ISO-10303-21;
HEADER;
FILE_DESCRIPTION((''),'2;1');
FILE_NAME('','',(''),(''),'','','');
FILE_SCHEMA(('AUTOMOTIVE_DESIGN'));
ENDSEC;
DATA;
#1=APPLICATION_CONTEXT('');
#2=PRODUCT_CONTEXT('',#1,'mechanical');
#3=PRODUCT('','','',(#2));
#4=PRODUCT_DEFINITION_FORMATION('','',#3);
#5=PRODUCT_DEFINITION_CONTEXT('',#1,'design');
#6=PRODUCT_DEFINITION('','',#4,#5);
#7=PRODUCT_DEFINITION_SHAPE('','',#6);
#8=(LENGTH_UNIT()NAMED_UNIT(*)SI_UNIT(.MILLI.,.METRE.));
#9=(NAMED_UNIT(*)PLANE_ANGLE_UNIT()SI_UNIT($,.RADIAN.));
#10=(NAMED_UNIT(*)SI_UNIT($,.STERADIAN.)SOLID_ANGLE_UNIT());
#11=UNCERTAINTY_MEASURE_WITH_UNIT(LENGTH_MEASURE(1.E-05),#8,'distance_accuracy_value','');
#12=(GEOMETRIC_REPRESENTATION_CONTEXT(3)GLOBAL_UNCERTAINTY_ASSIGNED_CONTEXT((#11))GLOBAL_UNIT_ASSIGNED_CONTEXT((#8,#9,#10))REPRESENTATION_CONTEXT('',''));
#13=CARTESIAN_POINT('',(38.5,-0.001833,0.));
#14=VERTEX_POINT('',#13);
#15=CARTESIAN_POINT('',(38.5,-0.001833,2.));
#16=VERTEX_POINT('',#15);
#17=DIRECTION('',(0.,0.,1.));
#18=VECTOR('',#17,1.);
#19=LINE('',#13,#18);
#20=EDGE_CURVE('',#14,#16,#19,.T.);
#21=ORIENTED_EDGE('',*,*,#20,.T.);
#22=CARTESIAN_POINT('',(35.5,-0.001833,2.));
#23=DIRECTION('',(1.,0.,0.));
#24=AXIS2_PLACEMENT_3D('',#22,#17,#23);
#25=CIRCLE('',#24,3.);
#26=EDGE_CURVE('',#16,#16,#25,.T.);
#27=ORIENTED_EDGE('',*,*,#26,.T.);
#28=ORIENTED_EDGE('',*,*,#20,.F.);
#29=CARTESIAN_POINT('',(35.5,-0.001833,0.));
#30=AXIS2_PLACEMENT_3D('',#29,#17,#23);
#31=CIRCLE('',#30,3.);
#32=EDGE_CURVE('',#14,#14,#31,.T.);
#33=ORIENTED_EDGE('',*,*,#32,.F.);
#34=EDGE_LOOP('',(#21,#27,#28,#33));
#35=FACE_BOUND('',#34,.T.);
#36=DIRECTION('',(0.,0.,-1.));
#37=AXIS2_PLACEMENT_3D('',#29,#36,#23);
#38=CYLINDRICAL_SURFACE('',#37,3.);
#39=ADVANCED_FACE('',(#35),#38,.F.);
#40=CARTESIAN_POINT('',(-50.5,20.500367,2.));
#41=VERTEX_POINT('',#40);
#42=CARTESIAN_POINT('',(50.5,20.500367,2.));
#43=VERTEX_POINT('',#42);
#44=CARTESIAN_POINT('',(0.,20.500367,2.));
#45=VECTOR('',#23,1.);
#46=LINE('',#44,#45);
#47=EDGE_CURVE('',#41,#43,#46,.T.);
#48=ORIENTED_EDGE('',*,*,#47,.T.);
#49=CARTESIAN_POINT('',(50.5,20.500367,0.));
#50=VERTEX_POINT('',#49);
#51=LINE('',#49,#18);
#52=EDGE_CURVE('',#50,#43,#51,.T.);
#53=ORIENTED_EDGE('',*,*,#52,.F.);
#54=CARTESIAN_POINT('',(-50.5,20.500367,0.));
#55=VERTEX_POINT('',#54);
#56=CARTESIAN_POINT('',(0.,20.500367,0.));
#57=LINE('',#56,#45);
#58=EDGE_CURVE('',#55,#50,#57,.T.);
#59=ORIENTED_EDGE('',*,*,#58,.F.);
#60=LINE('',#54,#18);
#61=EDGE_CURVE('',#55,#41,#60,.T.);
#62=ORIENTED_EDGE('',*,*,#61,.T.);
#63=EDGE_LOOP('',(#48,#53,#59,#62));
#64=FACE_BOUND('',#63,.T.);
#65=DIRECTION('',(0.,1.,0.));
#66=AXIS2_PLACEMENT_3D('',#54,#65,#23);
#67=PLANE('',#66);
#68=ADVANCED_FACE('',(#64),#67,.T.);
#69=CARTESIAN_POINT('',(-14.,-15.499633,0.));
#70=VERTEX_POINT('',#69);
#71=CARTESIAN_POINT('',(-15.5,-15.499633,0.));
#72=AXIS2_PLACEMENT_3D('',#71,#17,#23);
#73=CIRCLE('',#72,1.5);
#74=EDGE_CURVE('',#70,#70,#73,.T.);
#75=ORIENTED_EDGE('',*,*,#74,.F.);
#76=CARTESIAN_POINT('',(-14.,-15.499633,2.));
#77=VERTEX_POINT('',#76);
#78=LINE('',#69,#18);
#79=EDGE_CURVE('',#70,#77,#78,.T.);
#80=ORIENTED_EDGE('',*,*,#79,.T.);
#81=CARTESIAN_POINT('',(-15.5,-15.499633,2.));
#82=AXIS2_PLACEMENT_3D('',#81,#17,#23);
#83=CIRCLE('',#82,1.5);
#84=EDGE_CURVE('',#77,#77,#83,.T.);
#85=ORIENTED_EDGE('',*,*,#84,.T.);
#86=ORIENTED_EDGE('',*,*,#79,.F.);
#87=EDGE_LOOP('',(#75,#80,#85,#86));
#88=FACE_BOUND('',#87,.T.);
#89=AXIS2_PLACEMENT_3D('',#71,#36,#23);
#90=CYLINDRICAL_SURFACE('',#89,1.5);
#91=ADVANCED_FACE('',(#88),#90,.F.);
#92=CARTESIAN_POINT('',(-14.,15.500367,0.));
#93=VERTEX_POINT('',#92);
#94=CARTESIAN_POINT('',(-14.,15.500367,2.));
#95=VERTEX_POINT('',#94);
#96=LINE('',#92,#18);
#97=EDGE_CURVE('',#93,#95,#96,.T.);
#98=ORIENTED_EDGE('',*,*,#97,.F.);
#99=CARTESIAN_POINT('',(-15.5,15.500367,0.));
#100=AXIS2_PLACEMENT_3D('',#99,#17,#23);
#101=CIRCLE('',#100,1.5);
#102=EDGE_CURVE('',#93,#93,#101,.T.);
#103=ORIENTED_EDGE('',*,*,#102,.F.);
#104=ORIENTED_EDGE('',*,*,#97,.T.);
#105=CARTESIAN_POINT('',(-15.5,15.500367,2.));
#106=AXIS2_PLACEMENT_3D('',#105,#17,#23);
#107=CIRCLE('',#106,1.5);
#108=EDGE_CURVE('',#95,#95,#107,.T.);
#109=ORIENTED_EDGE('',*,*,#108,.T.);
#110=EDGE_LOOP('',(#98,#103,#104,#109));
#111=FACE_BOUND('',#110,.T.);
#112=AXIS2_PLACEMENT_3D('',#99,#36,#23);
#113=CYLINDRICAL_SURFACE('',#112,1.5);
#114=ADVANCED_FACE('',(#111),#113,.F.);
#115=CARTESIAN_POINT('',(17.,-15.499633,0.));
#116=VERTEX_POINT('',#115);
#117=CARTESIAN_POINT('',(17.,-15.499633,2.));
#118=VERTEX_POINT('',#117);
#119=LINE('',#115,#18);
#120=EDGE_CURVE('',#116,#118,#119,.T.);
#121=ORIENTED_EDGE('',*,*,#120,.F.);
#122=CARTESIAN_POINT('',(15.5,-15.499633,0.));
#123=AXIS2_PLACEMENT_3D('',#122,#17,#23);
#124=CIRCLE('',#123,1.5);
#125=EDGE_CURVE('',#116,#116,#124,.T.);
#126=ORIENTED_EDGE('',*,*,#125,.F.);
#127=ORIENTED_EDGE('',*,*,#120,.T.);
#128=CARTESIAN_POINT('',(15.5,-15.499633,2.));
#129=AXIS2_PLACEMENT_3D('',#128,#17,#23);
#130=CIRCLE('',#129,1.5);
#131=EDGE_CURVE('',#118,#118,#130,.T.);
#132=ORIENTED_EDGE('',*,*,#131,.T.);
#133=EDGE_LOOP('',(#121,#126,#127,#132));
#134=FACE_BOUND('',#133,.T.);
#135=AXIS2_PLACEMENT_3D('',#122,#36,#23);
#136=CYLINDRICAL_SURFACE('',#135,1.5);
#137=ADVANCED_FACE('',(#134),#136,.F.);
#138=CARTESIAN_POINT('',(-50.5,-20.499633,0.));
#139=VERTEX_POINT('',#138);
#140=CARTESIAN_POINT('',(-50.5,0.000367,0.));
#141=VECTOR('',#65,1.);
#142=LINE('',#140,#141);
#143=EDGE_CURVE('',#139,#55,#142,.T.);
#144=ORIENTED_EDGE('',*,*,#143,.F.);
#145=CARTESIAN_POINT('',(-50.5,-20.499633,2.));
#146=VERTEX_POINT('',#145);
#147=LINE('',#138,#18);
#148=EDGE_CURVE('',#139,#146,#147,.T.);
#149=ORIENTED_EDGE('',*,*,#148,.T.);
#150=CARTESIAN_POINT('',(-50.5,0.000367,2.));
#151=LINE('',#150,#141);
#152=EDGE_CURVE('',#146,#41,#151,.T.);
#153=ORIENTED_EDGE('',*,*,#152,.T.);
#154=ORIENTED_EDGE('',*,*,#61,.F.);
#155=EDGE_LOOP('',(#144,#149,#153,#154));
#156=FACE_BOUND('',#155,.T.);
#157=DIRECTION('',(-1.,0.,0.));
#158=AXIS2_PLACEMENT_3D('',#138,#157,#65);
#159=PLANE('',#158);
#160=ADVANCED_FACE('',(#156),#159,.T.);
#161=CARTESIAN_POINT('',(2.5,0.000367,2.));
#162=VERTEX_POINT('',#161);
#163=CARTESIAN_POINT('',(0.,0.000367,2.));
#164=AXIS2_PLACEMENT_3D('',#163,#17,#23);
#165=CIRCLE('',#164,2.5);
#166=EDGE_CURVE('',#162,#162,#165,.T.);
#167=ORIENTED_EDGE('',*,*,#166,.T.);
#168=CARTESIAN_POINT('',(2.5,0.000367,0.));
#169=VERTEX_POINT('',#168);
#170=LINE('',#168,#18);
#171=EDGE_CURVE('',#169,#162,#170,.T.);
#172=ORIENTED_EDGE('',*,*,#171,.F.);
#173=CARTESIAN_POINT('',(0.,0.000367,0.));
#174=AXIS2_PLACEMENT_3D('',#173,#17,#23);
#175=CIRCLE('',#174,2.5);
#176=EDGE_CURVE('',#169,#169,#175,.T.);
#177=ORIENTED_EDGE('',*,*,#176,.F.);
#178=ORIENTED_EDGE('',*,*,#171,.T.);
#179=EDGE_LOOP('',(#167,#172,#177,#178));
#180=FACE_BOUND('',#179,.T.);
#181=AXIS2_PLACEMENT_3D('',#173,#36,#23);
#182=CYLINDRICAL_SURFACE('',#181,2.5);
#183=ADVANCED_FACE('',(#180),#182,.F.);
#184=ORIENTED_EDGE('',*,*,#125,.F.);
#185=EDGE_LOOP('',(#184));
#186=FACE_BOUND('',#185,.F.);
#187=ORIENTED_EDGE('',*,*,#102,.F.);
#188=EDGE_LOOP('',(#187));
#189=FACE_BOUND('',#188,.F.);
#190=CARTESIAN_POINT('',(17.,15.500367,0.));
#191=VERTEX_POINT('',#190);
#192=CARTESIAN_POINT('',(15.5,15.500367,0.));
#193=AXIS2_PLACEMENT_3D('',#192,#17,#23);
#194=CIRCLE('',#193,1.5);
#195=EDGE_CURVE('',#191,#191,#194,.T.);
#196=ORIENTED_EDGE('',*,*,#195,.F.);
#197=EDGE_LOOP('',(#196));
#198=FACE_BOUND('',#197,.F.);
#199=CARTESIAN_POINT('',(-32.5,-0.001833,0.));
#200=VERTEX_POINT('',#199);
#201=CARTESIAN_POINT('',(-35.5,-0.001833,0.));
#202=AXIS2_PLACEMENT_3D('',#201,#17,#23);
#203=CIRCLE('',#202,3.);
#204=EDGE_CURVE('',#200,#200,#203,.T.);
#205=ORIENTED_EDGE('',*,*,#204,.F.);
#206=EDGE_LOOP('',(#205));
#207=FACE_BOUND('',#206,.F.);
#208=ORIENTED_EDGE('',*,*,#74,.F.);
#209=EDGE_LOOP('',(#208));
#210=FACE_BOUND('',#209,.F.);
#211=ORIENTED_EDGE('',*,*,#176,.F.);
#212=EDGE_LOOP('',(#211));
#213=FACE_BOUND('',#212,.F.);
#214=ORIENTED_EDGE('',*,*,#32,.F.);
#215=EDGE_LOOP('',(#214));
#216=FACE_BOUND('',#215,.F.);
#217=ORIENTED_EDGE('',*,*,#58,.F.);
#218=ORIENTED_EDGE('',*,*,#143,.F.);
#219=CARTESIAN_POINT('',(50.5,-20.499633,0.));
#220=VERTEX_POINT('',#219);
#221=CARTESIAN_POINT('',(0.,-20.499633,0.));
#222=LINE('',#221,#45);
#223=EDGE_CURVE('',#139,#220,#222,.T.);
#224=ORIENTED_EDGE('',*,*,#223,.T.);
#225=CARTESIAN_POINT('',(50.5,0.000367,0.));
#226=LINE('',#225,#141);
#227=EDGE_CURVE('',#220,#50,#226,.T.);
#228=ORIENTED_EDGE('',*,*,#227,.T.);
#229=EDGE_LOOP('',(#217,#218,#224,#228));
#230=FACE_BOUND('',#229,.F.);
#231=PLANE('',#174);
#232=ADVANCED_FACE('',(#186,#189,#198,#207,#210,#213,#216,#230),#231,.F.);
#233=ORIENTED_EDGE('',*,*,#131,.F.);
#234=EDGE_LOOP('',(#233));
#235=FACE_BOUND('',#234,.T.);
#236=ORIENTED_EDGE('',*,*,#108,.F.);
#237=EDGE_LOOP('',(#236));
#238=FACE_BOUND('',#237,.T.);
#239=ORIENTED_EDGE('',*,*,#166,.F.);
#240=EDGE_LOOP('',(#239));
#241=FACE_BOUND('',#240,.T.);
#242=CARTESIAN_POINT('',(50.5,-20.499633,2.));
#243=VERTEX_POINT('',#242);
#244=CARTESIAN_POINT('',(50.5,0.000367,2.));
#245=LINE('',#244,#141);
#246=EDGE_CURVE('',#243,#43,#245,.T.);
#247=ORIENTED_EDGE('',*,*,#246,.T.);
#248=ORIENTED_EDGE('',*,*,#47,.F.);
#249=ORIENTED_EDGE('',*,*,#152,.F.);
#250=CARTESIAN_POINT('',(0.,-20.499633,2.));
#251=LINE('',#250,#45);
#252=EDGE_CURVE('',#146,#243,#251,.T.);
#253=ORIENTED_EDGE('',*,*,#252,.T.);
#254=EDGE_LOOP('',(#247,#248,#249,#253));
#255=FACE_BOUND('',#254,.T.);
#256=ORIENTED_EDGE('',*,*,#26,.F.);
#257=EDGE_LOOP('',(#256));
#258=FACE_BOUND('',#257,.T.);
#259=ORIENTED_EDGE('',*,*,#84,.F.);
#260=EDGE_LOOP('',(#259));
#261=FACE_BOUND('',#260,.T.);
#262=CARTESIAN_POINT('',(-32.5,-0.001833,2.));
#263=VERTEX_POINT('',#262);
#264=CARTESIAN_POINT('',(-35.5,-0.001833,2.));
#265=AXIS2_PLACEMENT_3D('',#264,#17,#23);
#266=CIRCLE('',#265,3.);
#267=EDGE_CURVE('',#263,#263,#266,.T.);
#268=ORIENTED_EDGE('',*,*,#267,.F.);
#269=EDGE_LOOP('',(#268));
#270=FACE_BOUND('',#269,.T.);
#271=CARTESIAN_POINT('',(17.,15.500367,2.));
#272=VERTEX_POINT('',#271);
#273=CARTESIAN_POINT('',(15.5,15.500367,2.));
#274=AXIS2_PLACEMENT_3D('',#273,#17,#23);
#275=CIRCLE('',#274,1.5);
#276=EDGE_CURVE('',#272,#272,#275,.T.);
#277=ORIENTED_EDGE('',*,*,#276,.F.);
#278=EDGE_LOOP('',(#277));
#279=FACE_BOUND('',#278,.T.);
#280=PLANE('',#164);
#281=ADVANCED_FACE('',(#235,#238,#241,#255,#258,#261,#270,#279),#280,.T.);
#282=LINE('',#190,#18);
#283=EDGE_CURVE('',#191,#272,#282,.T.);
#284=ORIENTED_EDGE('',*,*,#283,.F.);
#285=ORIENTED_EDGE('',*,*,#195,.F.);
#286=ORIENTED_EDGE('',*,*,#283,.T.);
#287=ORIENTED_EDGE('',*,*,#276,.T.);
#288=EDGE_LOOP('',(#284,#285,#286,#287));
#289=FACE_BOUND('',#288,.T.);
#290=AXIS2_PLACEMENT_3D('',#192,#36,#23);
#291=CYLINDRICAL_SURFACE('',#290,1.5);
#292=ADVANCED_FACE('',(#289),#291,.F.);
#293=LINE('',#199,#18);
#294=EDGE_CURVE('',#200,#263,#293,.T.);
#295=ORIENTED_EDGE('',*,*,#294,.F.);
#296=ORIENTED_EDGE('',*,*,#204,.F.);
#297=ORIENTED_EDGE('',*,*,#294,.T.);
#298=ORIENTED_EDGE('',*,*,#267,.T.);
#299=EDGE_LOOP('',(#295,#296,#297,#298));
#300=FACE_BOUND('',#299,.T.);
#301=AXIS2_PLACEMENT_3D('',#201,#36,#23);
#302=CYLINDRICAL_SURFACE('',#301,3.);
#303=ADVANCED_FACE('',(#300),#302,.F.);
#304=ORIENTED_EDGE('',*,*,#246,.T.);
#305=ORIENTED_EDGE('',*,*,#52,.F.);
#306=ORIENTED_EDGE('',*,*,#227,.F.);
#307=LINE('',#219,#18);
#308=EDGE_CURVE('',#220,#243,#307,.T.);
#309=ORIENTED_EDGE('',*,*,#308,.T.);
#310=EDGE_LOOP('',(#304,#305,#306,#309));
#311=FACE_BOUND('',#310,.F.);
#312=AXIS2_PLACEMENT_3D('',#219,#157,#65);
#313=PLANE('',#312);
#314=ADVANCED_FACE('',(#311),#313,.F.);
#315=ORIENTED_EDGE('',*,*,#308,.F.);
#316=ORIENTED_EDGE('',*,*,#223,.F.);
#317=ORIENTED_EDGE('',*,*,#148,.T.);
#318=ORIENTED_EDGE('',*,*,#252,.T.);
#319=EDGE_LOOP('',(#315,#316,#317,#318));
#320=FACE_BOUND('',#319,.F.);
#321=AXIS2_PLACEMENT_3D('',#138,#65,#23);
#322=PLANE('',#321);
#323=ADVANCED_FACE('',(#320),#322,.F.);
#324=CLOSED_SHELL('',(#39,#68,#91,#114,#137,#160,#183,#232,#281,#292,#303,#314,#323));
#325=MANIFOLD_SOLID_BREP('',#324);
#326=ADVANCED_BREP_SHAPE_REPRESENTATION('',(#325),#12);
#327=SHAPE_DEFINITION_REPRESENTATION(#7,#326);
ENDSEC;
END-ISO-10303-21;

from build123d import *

# Parameters (mm, degrees)
F0_W     = 101
F0_H     = 41
F0_R     = 1.5
F0_R_2   = 3
F0_R_3   = 2.5
F1_DEPTH = 2


with BuildPart() as f1:
    # F0 (on Top) → F1 (new body)
    with BuildSketch(Plane.XY):
        with Locations((0, 0.000367)):
            Rectangle(F0_W, F0_H)
        with Locations((-15.5, -15.499633)):
            Circle(F0_R, mode=Mode.SUBTRACT)
        with Locations((-35.5, -0.001833)):
            Circle(F0_R_2, mode=Mode.SUBTRACT)
        with Locations((15.5, -15.499633)):
            Circle(F0_R, mode=Mode.SUBTRACT)
        with Locations((0, 0.000367)):
            Circle(F0_R_3, mode=Mode.SUBTRACT)
        with Locations((35.5, -0.001833)):
            Circle(F0_R_2, mode=Mode.SUBTRACT)
        with Locations((-15.5, 15.500367)):
            Circle(F0_R, mode=Mode.SUBTRACT)
        with Locations((15.5, 15.500367)):
            Circle(F0_R, mode=Mode.SUBTRACT)
    extrude(amount=F1_DEPTH)


solid = f1.part
